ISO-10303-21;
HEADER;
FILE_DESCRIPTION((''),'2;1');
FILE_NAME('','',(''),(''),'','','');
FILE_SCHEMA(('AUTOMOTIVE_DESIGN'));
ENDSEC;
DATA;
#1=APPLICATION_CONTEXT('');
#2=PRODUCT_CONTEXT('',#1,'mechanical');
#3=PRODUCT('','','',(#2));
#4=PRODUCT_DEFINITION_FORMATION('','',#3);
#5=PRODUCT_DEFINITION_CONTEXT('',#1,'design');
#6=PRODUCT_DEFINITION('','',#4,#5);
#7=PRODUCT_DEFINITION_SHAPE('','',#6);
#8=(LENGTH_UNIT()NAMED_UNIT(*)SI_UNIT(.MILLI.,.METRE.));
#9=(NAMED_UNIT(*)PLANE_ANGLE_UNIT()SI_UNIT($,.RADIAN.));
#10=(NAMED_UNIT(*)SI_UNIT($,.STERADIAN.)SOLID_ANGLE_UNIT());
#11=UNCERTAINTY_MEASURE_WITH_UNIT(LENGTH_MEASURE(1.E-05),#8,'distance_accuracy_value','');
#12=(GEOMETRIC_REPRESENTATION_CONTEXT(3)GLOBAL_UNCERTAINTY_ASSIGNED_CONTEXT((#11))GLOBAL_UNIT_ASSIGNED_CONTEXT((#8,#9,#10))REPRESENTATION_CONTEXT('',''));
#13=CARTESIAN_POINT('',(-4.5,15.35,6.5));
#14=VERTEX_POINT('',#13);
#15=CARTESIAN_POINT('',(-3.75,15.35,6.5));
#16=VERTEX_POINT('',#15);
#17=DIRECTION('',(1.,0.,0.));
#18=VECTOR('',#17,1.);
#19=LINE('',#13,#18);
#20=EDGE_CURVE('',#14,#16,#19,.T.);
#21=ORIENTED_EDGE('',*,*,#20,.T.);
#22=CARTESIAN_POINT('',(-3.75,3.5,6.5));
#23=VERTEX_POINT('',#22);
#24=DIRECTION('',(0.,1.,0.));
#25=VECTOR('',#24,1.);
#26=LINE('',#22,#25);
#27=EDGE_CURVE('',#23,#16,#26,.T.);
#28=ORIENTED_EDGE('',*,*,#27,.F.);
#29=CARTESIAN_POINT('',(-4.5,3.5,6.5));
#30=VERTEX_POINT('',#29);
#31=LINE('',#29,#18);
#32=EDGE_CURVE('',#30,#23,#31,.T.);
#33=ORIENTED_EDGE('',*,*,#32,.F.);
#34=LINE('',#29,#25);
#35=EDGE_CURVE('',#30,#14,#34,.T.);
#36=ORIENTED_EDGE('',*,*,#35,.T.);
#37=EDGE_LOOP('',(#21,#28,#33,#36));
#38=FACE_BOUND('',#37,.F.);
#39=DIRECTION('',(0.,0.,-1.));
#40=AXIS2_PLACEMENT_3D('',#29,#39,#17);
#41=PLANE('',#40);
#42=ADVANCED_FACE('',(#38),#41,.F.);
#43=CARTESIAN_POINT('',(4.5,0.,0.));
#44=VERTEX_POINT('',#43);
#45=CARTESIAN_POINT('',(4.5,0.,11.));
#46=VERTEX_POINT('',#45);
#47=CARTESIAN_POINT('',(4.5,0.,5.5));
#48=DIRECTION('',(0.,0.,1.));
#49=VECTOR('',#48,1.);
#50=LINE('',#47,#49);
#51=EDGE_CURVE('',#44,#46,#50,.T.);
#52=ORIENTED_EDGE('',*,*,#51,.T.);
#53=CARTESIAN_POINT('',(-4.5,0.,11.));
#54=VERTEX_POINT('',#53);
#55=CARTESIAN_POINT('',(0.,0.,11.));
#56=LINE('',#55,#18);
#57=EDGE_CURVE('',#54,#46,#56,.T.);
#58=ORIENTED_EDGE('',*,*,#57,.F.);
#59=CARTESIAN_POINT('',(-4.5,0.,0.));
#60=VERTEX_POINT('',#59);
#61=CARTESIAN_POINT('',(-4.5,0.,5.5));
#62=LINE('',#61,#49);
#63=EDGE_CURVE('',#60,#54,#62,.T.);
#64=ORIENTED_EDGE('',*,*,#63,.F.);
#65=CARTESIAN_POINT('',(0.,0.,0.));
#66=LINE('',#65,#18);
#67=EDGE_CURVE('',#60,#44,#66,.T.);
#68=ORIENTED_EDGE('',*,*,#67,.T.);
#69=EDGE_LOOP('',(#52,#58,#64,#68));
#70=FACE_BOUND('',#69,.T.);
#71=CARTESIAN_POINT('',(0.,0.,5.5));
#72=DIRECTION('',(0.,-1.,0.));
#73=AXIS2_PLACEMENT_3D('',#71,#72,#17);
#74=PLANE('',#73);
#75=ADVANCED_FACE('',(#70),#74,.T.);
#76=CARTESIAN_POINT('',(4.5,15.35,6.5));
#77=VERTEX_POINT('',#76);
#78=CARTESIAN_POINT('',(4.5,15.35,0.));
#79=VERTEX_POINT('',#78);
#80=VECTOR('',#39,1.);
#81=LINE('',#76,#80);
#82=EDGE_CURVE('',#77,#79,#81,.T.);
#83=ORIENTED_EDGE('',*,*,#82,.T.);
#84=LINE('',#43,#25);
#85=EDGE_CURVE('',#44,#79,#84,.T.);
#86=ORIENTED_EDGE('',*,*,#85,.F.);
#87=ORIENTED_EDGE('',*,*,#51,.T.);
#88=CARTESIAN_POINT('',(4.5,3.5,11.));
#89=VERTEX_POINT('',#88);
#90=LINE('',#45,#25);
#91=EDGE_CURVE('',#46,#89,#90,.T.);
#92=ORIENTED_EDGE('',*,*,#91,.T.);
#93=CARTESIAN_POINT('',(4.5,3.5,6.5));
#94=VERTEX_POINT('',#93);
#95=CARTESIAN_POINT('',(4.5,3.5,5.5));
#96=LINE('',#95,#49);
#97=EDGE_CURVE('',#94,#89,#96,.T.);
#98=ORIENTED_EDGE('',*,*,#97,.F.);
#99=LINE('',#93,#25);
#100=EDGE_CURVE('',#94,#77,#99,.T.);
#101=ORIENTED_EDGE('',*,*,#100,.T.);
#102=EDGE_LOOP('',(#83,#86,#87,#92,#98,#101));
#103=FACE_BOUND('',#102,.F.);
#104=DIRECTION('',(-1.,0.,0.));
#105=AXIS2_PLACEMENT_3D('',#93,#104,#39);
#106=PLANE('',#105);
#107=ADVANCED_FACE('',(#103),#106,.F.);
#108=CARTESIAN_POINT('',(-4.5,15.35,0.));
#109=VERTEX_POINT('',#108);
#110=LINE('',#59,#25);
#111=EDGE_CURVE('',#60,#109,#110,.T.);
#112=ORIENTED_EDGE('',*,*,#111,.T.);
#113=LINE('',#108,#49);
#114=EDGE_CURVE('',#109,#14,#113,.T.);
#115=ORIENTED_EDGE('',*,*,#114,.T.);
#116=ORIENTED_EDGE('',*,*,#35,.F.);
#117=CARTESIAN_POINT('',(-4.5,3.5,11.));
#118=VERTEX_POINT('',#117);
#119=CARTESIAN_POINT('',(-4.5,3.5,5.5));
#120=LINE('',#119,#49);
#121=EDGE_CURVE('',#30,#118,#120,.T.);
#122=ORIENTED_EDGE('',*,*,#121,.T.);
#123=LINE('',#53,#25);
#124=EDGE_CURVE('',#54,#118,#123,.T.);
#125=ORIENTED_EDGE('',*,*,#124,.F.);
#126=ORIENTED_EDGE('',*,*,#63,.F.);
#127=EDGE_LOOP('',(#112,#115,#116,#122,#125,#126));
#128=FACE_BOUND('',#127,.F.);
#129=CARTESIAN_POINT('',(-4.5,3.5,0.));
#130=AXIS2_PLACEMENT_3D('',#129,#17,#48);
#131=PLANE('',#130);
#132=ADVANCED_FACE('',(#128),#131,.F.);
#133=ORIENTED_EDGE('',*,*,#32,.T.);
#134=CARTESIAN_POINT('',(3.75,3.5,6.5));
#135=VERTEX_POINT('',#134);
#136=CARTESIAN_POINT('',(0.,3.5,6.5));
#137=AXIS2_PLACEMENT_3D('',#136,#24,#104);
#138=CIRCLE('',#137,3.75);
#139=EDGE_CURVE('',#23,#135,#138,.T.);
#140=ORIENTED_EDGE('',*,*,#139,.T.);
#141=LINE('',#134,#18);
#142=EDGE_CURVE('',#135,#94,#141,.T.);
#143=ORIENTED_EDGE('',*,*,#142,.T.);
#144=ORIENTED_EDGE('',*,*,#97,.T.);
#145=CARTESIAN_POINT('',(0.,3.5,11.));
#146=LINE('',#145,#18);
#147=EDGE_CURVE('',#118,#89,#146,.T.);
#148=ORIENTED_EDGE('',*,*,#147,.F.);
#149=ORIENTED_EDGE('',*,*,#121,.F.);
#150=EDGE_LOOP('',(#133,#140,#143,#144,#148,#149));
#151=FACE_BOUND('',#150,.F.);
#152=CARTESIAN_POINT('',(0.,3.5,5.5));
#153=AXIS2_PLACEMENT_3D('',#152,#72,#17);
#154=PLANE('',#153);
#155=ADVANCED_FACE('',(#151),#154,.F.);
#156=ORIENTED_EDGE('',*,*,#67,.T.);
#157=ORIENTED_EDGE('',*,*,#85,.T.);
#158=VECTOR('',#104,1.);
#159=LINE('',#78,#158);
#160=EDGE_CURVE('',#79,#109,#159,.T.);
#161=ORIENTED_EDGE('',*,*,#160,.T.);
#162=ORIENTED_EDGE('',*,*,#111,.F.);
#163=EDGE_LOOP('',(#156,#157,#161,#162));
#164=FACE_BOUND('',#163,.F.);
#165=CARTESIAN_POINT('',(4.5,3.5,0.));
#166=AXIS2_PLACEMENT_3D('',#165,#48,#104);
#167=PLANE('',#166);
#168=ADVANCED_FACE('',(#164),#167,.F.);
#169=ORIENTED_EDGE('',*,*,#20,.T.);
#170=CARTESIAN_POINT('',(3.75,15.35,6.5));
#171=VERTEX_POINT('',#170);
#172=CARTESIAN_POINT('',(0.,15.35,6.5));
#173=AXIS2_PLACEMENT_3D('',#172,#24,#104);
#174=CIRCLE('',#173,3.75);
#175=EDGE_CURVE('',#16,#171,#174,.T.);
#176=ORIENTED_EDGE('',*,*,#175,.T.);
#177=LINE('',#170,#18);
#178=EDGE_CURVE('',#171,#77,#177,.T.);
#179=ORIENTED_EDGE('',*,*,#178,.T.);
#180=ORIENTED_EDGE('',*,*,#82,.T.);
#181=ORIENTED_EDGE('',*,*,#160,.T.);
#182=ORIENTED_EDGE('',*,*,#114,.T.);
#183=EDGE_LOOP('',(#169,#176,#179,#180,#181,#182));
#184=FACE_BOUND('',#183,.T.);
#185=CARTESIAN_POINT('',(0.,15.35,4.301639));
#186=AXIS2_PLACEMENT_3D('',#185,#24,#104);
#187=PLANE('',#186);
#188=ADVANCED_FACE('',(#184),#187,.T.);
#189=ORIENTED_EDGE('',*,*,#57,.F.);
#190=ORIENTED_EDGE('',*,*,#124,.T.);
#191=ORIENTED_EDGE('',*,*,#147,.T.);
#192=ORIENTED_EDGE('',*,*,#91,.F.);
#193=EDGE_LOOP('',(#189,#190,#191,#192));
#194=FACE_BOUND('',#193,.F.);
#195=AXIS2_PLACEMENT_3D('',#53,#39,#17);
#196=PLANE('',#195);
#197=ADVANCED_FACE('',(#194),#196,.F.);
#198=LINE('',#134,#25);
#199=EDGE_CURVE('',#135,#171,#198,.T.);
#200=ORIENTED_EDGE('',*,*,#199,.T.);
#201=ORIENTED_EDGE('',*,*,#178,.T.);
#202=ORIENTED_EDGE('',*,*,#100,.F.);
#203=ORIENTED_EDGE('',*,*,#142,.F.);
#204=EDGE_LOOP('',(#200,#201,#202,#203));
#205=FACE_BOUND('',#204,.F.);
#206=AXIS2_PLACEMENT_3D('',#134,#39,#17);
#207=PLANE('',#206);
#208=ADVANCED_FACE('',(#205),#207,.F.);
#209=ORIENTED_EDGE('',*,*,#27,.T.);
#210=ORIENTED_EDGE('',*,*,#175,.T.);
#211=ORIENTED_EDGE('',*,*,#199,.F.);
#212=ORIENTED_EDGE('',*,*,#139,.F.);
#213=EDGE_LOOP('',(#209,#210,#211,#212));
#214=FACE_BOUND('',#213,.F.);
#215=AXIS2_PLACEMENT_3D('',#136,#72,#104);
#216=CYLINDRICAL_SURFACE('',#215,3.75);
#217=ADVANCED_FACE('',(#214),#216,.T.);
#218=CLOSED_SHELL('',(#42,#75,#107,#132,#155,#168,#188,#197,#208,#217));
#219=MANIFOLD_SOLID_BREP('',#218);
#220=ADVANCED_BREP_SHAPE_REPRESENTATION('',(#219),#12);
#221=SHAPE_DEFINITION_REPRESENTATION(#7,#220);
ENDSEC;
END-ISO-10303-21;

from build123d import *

# Parameters (mm, degrees)
F0_W     = 9
F0_H     = 11
F1_DEPTH = 3.5
F3_DEPTH = 11.85


with BuildPart() as f1:
    # F0 (on Front) → F1 (new body)
    with BuildSketch(Plane.XZ):
        with Locations((0, 5.5)):
            Rectangle(F0_W, F0_H)
    extrude(amount=-F1_DEPTH)

    # F2 (on face) → F3 (join)
    with BuildSketch(Plane(origin=(0, 3.5, 0), x_dir=(-1, 0, 0), z_dir=(0, 1, 0))):
        with BuildLine():
            Line((-4.5, 6.5), (-4.5, 0))
            Line((-4.5, 0), (4.5, 0))
            Line((4.5, 0), (4.5, 6.5))
            Line((4.5, 6.5), (3.75, 6.5))
            ThreePointArc((3.75, 6.5), (0, 10.25), (-3.75, 6.5))
            Line((-3.75, 6.5), (-4.5, 6.5))
        make_face()
    extrude(amount=F3_DEPTH)


solid = f1.part
